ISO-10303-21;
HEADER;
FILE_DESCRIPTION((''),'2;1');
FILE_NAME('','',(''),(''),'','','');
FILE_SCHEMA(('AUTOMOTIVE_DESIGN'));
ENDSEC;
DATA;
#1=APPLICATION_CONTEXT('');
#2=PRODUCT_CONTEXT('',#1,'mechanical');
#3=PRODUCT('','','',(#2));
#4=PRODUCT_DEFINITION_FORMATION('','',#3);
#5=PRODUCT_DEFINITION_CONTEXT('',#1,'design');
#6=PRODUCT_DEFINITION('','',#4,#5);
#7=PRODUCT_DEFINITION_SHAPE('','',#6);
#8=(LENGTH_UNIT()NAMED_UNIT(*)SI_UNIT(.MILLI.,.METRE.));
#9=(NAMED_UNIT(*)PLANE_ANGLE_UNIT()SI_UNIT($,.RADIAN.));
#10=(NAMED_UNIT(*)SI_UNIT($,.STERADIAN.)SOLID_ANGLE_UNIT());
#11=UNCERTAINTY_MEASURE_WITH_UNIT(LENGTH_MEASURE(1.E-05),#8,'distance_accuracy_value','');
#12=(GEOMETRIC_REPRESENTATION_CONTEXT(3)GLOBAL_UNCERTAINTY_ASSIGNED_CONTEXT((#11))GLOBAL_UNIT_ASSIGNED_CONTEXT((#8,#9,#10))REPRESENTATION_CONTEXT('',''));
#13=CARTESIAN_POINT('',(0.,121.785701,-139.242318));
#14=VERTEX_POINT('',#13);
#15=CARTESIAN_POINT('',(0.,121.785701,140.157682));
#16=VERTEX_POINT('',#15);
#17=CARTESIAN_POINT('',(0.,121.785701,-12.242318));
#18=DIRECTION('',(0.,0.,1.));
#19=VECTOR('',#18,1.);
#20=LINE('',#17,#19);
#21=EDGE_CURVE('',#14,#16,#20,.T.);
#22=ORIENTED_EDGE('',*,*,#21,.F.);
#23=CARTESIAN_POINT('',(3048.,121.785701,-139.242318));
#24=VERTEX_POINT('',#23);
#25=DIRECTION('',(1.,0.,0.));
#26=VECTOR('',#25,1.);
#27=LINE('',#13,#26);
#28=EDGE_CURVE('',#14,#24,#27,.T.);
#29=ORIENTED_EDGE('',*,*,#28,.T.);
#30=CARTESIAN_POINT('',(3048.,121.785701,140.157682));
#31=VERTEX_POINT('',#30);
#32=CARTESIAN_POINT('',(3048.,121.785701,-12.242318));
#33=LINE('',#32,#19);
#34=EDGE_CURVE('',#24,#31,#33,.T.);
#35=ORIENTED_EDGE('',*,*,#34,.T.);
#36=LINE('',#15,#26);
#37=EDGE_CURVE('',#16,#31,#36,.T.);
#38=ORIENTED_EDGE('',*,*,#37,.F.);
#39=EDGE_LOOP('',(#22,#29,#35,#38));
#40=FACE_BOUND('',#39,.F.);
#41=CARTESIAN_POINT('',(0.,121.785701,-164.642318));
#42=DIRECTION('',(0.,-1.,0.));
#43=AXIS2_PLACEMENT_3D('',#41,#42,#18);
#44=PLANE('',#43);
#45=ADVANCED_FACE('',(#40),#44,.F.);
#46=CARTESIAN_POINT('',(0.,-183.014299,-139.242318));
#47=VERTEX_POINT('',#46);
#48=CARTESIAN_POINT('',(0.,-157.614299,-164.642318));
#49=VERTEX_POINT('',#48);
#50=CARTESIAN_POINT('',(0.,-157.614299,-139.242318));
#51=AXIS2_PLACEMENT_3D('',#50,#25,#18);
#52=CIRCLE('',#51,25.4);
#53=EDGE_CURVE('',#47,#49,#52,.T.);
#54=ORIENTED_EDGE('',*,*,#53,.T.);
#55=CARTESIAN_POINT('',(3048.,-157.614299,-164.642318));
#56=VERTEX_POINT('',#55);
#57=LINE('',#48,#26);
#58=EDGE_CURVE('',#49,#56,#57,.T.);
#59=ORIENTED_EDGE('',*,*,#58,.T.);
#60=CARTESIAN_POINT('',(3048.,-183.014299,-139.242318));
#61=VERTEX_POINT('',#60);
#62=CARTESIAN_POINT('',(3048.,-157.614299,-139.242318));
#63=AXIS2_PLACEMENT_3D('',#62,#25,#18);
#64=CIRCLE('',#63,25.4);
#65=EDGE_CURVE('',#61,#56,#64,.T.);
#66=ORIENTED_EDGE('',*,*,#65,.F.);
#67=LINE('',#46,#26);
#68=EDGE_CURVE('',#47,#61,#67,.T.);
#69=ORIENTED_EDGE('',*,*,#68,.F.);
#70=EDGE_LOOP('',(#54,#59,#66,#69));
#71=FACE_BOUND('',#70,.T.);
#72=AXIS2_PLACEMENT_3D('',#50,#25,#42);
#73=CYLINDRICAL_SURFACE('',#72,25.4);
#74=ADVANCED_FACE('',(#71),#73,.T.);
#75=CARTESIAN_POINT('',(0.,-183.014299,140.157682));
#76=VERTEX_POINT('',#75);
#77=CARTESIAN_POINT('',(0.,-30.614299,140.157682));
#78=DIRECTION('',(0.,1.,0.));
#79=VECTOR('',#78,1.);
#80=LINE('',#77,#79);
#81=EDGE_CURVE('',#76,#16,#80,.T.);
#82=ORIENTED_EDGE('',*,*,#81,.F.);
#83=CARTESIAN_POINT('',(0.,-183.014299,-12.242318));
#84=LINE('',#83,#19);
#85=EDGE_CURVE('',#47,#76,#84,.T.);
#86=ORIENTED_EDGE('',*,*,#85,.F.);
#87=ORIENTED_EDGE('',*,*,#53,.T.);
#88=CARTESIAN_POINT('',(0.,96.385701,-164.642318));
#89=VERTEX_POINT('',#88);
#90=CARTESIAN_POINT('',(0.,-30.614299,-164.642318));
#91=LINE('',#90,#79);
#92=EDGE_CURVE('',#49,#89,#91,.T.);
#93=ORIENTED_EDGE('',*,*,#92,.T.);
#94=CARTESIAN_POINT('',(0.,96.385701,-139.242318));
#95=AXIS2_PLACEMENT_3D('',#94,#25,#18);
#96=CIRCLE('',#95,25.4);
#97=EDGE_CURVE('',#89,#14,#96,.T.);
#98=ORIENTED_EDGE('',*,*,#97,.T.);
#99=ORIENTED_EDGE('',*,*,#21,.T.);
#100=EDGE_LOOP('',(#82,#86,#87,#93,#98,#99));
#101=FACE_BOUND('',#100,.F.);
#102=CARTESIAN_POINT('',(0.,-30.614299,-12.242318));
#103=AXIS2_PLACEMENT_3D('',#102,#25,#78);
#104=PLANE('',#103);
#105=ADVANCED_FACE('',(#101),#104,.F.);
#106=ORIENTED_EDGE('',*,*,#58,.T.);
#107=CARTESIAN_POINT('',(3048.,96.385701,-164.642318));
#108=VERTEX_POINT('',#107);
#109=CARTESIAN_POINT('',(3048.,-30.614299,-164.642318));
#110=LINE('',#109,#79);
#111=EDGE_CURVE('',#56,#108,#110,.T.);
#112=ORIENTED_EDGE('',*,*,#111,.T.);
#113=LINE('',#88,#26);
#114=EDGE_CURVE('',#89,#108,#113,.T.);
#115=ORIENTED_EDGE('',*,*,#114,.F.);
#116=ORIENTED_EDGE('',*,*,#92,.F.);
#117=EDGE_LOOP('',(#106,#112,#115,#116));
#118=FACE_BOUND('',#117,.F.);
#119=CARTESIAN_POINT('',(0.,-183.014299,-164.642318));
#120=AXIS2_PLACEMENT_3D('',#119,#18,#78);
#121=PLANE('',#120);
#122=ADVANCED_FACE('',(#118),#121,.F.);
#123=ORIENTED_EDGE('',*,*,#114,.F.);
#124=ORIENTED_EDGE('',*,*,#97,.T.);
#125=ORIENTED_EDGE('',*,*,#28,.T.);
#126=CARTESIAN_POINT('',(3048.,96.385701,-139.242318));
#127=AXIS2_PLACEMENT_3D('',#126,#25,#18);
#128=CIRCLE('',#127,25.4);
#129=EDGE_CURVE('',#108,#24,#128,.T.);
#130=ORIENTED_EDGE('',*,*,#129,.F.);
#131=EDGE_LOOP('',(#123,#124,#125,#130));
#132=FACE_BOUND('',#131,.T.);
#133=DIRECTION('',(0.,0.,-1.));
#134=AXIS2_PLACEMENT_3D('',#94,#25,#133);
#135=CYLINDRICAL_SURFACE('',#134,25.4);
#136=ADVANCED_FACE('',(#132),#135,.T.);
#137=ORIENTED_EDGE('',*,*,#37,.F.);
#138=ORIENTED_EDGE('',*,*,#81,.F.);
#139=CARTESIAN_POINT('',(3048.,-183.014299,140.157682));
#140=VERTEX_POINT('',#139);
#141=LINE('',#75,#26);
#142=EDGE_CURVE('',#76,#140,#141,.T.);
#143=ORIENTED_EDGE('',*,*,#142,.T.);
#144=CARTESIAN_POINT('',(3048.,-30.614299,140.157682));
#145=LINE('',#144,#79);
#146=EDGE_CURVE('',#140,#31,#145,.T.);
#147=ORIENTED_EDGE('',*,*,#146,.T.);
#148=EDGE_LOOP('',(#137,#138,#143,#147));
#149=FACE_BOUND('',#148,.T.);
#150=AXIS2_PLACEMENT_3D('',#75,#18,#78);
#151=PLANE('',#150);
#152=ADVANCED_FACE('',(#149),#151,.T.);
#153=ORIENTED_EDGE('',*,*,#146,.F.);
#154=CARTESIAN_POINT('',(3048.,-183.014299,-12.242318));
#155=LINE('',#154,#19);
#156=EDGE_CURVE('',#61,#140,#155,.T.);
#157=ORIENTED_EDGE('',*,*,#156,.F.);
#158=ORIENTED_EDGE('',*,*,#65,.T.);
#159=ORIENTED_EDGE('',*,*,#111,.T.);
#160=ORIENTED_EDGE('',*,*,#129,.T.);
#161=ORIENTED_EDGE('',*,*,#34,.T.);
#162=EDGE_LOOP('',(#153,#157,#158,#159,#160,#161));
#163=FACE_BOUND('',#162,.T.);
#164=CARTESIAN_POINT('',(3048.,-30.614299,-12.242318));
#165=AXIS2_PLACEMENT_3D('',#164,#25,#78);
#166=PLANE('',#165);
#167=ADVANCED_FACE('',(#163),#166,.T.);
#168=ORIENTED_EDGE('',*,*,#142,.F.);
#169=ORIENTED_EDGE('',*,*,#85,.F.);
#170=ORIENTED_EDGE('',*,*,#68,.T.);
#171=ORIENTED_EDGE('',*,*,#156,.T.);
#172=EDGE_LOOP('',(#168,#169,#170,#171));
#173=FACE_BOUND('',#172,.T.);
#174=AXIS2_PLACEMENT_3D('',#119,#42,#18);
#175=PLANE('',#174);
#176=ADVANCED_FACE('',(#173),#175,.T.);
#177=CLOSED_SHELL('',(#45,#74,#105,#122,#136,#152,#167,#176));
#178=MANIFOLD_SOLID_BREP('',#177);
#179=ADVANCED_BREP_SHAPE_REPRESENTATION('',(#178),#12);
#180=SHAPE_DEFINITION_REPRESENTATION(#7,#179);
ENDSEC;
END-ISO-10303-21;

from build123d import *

# Parameters (mm, degrees)
F0_W     = 304.8
F0_H     = 304.8
F1_DEPTH = 3048
F2_R     = 25.4


with BuildPart() as f1:
    # F0 (on Right) → F1 (new body)
    with BuildSketch(Plane.YZ):
        with Locations((-30.614299, -12.242318)):
            Rectangle(F0_W, F0_H)
    extrude(amount=F1_DEPTH)

    # F2
    f2_edges = [f1.edges().sort_by_distance(p)[0] for p in [
        (1524, -183.014299, -164.642318),
        (1524, 121.785701, -164.642318),
    ]]
    fillet(f2_edges, radius=F2_R)


solid = f1.part
